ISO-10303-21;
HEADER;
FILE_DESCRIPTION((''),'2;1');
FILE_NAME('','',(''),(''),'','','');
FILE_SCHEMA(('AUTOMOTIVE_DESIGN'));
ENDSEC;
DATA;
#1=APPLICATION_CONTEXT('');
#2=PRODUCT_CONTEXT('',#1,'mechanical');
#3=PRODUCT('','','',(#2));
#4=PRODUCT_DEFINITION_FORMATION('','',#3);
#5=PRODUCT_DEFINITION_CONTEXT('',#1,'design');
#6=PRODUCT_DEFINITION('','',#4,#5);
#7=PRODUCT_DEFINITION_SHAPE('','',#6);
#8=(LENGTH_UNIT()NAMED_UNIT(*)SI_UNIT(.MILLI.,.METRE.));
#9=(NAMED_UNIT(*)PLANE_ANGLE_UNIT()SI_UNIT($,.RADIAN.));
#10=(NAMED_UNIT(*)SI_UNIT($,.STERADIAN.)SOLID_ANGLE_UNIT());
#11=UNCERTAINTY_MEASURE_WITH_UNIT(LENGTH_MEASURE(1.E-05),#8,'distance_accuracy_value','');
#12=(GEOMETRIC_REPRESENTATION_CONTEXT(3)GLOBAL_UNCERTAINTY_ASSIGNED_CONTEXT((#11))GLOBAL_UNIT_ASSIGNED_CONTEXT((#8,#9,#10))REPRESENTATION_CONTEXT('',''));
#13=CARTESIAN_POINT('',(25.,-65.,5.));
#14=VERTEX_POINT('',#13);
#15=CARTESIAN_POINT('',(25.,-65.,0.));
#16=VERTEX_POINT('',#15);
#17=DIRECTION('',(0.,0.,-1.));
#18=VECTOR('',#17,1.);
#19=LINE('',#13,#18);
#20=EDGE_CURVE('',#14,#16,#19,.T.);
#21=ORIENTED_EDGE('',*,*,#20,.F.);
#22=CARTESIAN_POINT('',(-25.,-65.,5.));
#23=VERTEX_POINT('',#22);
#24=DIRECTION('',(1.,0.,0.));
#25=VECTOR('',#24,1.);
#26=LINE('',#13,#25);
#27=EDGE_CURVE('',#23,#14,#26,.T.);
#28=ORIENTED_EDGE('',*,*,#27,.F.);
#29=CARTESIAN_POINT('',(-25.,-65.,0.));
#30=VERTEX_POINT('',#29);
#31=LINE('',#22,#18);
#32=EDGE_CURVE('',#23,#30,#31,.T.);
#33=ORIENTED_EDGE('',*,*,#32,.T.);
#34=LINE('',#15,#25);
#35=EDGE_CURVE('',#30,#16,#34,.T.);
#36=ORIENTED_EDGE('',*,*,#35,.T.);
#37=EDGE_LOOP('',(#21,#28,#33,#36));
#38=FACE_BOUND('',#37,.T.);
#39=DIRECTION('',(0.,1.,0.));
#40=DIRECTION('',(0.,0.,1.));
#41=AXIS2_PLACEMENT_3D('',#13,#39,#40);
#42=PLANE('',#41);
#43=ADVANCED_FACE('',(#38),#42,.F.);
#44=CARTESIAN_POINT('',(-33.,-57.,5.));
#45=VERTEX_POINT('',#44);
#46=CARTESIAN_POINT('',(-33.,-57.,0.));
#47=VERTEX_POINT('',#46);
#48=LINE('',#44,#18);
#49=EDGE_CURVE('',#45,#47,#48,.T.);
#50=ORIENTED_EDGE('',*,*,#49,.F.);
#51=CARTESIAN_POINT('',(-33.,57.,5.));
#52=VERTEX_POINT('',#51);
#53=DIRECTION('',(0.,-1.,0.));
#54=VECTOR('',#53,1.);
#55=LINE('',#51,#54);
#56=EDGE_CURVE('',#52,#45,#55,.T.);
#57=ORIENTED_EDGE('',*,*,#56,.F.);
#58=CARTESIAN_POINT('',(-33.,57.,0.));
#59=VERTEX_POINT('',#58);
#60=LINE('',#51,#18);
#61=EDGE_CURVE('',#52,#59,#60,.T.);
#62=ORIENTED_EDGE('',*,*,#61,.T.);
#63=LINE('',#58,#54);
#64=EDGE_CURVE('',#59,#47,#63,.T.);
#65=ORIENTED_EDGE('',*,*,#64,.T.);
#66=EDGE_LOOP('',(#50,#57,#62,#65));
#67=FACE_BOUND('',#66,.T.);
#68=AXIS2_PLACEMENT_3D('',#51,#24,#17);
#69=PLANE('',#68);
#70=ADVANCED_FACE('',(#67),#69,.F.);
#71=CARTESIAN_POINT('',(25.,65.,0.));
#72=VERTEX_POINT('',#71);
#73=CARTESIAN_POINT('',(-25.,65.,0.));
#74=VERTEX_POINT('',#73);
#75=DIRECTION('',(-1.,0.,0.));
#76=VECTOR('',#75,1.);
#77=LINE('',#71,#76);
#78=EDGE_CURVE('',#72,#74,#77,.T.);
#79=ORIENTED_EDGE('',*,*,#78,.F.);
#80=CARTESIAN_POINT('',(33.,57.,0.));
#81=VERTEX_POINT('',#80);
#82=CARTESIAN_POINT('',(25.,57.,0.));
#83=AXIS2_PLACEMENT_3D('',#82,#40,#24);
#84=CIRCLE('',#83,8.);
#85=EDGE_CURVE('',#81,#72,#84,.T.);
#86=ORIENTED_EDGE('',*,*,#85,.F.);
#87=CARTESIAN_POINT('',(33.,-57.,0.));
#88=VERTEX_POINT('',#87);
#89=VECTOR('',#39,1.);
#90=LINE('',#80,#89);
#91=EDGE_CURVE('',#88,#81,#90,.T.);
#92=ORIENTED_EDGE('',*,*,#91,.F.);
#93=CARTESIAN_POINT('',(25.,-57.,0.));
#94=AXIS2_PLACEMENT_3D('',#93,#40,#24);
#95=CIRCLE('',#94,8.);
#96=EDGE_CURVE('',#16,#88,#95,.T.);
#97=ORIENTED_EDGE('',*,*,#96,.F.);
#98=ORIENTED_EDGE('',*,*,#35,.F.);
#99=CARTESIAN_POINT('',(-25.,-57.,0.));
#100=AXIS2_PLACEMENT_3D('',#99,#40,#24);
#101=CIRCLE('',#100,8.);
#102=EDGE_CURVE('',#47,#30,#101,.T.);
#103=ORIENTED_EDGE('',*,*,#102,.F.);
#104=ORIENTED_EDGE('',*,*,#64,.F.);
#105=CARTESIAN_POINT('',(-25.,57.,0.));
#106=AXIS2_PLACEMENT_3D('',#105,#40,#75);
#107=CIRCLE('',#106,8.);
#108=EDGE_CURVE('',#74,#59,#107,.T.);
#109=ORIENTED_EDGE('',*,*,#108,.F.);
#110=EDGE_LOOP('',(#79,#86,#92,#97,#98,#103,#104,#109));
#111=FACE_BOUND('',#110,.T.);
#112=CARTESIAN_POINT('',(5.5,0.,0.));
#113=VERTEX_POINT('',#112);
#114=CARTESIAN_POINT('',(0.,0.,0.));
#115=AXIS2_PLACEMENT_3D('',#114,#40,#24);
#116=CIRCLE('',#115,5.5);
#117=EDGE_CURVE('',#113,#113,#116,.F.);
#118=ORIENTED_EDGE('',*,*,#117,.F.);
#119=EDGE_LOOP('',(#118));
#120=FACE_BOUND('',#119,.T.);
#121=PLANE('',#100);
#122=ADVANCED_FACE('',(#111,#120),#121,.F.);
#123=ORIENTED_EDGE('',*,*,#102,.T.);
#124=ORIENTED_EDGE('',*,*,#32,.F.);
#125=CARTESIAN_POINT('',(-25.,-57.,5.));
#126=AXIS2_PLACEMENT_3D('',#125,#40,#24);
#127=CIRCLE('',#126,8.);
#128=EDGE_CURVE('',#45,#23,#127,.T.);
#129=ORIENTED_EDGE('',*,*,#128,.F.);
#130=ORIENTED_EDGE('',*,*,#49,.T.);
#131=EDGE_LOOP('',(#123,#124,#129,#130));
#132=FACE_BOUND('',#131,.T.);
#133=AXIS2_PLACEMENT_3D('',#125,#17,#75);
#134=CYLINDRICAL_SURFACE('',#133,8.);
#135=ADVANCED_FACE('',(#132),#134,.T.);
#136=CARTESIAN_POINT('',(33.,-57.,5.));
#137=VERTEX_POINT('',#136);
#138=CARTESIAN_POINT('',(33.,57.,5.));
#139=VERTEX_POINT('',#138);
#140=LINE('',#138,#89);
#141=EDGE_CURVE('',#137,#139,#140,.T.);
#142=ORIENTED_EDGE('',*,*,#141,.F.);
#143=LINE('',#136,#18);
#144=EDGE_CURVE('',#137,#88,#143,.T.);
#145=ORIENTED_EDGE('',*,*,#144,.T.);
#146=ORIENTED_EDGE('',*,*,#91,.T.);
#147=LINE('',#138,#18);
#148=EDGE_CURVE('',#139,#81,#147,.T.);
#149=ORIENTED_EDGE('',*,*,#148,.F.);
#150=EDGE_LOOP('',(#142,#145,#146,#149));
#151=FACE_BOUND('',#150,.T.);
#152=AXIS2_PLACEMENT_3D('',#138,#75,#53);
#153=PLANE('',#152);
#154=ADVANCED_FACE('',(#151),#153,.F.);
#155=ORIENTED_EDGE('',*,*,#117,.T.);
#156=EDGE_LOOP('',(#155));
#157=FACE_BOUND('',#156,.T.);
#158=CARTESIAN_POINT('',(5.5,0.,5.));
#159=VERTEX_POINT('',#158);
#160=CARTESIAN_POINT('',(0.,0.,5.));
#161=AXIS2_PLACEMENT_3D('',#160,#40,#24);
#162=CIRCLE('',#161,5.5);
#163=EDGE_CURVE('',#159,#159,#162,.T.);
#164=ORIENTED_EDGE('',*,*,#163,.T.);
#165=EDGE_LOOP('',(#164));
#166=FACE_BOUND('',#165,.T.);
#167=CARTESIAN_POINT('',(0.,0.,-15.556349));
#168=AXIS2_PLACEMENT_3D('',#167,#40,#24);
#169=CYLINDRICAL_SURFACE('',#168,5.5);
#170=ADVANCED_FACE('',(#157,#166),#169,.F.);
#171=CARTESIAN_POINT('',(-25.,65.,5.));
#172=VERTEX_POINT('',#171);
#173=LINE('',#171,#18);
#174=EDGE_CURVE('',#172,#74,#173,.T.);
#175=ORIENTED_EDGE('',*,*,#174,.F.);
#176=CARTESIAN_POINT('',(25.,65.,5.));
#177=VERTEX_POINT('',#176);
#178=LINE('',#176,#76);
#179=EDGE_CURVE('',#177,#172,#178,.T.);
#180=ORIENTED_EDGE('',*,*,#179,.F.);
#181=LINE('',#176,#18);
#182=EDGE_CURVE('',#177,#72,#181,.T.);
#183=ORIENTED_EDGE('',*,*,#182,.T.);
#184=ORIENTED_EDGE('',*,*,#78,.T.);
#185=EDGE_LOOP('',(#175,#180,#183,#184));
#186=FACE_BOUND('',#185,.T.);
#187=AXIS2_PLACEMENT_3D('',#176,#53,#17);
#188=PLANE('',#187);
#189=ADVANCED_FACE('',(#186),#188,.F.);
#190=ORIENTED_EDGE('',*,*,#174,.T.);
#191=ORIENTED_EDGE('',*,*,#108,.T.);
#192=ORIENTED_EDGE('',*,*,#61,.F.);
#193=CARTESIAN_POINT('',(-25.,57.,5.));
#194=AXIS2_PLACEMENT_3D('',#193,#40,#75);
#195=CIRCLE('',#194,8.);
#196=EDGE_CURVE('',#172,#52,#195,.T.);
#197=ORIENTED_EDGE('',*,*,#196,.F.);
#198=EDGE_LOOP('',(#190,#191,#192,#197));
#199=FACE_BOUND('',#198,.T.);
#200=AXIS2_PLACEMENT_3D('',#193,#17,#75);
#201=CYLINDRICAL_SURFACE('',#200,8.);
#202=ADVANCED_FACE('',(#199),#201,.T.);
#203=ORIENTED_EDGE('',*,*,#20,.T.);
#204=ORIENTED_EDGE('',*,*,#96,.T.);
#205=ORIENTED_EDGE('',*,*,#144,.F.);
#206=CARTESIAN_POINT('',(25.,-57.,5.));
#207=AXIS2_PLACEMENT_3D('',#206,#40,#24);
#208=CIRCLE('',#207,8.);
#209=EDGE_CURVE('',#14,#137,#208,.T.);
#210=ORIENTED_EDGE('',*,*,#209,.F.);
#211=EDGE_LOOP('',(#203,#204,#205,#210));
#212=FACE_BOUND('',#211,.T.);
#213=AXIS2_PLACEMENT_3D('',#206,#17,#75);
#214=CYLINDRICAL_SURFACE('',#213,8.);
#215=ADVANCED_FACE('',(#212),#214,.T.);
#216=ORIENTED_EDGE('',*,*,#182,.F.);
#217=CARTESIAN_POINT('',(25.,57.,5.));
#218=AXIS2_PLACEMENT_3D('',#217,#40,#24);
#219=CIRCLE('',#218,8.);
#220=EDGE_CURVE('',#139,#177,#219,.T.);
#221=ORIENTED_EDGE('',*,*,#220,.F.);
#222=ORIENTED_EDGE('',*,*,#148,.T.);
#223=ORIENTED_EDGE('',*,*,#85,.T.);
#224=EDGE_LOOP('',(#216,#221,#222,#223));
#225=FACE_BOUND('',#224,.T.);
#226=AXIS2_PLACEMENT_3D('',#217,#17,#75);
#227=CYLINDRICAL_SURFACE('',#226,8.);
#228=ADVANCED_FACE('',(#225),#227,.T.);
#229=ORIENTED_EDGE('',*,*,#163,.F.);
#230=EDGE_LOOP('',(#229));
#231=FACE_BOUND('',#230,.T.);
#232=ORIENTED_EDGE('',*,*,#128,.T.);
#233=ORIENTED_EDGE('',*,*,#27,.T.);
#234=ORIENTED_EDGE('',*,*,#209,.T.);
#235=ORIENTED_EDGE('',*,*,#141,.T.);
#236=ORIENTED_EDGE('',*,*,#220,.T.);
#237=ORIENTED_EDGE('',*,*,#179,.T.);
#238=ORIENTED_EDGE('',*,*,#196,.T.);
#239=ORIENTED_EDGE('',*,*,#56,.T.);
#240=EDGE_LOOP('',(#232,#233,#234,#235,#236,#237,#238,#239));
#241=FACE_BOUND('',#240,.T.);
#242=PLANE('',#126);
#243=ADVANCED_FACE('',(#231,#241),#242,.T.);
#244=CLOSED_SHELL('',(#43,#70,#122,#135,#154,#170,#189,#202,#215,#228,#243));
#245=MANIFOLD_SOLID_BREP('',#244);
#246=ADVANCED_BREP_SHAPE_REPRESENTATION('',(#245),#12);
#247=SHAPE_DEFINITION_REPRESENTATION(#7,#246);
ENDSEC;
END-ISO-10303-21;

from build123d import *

# Parameters (mm, degrees)
BOSS_EXTRUDE1_DEPTH = 5
SKETCH2_R           = 5.5
CUT_EXTRUDE1_DEPTH  = 5


with BuildPart() as part:
    # Sketch1 → Boss-Extrude1 (new body)
    with BuildSketch(Plane.XY):
        with BuildLine():
            Line((25, 65), (-25, 65))
            ThreePointArc((-25, 65), (-30.656854249, 62.656854249), (-33, 57))
            Line((-33, 57), (-33, -57))
            ThreePointArc((-33, -57), (-30.656854249, -62.656854249), (-25, -65))
            Line((-25, -65), (25, -65))
            ThreePointArc((25, -65), (30.656854249, -62.656854249), (33, -57))
            Line((33, -57), (33, 57))
            ThreePointArc((33, 57), (30.656854249, 62.656854249), (25, 65))
        make_face()
    extrude(amount=BOSS_EXTRUDE1_DEPTH)

    # Sketch2 → Cut-Extrude1 (cut)
    with BuildSketch(Plane.XY.offset(5)):
        Circle(SKETCH2_R)
    extrude(amount=-CUT_EXTRUDE1_DEPTH, mode=Mode.SUBTRACT)


solid = part.part
